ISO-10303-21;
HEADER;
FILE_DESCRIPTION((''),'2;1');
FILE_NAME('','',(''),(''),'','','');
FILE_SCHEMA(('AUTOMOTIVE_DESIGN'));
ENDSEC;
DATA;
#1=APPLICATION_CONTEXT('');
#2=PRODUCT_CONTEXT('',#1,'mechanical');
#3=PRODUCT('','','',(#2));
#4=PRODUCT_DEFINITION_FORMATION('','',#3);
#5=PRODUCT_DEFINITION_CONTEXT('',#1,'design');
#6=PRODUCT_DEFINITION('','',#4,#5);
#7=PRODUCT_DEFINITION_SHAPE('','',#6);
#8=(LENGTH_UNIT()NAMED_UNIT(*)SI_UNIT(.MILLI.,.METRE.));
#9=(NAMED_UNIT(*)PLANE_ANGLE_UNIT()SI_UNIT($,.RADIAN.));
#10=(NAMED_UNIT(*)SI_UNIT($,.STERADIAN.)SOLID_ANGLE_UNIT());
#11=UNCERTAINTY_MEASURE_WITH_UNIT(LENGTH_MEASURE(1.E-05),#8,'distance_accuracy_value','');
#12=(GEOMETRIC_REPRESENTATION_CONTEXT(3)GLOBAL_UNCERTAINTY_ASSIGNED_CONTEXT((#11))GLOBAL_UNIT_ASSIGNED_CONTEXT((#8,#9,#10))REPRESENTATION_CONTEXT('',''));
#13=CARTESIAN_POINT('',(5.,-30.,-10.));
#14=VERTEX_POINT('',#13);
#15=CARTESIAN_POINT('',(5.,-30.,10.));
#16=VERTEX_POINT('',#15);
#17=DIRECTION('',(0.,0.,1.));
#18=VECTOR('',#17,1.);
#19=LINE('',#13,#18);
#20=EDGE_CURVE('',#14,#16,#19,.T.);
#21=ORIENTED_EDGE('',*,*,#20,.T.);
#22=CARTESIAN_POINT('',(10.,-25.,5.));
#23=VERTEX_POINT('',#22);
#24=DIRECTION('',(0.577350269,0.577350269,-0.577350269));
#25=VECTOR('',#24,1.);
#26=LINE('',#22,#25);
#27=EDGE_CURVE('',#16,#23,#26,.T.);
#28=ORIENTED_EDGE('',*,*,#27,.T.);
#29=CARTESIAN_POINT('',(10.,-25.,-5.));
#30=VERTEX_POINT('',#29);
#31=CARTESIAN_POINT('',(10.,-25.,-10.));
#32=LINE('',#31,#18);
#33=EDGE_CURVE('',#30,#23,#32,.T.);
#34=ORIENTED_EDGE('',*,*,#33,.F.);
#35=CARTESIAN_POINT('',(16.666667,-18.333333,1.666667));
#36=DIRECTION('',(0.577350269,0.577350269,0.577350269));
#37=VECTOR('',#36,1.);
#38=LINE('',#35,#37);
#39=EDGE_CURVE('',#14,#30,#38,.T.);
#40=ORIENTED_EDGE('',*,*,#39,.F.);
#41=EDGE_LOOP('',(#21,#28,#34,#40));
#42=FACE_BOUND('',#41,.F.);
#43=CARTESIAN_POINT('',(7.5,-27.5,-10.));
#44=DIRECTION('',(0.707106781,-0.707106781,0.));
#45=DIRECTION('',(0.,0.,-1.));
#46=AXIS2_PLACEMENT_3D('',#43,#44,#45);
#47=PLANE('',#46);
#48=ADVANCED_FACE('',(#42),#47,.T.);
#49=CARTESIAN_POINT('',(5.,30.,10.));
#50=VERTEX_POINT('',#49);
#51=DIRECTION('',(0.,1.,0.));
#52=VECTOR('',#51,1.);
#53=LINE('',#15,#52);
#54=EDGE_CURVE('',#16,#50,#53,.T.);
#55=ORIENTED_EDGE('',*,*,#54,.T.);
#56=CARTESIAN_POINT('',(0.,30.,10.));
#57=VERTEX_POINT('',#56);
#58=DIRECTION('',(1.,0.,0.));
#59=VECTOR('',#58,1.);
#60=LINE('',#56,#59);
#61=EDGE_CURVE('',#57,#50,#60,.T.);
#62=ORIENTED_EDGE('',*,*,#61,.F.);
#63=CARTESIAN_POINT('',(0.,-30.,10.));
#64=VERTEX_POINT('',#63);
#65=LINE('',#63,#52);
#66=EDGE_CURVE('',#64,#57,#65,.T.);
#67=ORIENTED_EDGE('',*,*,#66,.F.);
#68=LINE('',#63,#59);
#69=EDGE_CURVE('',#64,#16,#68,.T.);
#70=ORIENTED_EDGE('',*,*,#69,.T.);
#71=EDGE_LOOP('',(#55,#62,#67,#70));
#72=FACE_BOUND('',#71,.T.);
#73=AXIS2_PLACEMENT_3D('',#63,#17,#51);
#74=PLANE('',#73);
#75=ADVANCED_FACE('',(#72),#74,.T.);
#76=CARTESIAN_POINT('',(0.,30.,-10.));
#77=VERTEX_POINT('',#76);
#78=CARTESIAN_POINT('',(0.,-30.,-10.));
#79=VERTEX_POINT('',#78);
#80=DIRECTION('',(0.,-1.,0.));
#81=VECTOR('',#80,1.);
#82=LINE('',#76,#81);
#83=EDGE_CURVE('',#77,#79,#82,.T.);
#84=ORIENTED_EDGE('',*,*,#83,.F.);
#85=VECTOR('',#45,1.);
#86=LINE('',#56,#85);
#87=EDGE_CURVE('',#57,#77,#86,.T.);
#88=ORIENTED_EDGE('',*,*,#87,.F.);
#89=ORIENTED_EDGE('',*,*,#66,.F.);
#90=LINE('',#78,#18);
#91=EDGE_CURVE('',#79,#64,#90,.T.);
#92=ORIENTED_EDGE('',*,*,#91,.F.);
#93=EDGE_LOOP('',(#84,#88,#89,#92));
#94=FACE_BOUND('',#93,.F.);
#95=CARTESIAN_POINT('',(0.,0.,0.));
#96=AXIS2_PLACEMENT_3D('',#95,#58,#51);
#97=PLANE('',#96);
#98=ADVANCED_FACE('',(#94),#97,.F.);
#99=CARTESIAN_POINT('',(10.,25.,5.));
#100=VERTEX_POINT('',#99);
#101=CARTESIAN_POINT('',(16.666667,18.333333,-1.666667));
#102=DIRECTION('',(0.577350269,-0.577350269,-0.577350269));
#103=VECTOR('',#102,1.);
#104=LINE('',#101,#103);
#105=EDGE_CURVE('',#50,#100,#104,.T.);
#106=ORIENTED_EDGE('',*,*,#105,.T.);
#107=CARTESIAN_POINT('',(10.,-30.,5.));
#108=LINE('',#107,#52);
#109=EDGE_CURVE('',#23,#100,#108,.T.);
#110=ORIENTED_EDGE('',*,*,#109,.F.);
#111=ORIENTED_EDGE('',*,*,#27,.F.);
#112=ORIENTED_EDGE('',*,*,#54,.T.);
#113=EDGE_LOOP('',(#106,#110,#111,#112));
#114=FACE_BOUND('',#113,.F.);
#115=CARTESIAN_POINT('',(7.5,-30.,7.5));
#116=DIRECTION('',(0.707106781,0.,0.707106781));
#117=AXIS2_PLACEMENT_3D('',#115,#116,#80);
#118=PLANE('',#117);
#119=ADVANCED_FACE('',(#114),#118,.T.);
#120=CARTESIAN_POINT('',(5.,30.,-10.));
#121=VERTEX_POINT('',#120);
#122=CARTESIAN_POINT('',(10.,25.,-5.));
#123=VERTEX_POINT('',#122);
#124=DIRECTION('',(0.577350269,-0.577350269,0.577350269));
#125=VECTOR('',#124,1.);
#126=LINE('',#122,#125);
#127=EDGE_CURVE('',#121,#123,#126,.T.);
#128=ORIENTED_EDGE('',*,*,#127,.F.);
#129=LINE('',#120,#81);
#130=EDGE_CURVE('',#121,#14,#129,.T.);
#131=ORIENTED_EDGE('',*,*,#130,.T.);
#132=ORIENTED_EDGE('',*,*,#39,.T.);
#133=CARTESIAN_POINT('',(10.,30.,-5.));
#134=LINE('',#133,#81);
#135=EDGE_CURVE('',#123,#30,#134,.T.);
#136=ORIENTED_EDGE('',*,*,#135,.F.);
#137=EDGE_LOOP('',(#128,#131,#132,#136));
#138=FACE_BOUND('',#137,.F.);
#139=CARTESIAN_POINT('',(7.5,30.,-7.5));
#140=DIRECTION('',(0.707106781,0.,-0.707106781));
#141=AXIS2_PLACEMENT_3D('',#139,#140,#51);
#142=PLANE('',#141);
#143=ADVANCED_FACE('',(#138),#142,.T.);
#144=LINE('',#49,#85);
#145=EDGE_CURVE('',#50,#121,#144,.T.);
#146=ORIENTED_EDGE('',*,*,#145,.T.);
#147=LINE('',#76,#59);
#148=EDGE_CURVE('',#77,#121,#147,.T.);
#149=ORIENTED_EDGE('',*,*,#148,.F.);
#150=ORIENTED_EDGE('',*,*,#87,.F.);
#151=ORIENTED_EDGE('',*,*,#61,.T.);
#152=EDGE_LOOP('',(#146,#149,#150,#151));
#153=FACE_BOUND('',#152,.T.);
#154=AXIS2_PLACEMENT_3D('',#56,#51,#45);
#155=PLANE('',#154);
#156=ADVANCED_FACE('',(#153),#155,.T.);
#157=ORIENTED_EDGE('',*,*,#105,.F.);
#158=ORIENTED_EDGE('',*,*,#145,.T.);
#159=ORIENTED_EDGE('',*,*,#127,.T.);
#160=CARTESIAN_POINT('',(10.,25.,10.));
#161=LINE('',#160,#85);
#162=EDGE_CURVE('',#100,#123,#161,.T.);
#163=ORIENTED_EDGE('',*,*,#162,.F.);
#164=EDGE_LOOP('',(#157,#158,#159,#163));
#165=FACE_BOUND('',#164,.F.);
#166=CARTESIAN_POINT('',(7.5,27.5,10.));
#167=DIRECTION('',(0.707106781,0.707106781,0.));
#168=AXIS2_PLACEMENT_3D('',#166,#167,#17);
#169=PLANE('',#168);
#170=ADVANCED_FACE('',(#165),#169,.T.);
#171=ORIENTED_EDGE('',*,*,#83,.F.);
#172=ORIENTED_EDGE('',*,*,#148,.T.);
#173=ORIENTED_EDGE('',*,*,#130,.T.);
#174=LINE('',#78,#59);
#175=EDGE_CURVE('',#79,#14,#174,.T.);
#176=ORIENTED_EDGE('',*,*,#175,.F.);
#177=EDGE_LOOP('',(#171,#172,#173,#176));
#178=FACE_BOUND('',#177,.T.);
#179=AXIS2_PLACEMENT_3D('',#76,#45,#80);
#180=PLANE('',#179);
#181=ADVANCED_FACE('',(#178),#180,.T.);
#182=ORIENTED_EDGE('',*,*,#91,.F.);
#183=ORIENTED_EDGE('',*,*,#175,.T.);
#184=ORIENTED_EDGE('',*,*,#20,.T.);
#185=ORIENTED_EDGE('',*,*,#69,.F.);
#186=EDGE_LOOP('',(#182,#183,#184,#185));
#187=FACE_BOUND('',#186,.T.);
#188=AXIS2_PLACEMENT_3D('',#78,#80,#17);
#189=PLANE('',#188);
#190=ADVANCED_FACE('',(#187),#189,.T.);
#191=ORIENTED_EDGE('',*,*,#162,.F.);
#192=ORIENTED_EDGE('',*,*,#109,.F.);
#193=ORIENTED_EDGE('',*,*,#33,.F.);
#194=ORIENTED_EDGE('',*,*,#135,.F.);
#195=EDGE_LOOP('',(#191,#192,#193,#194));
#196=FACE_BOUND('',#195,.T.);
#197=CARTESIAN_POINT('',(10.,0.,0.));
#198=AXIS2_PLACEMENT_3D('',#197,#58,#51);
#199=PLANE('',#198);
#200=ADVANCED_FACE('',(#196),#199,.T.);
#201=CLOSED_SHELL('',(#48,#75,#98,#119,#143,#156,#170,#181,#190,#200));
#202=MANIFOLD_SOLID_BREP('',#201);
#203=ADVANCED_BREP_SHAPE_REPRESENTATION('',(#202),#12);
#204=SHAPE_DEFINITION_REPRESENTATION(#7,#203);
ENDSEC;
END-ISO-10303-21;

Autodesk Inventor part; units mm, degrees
ref_plane "YZ Plane" through (0, 0, 0) normal (1, 0, 0) x (0, 1, 0)
ref_plane "XZ Plane" through (0, 0, 0) normal (0, 1, 0) x (-1, 0, 0)
ref_plane "XY Plane" through (0, 0, 0) normal (0, 0, 1) x (1, 0, 0)
sketch "スケッチ2" plane through (0, 0, 0) normal (1, 0, 0) x (0, 1, 0)
  line L0 (-30, 10) -> (30, 10)
  line L1 (30, 10) -> (30, -10)
  line L2 (30, -10) -> (-30, -10)
  line L3 (-30, -10) -> (-30, 10)
  line L4 (-30, 10) -> (30, -10) construction
  line L5 (30, 10) -> (-30, -10) construction
  point P0 (0, 0)
  dimension "d4" = 60
  dimension "d5" = 20
extrude "押し出し2" add sketch "スケッチ2" along normal blind 10
chamfer "面取り1" distance 5 angle 45 4 edges at (10, 0, -10) (10, 30, 0) (10, 0, 10) (10, -30, 0)
properties part number "Print_Parts_U" material "PC/ABS プラスチック"
